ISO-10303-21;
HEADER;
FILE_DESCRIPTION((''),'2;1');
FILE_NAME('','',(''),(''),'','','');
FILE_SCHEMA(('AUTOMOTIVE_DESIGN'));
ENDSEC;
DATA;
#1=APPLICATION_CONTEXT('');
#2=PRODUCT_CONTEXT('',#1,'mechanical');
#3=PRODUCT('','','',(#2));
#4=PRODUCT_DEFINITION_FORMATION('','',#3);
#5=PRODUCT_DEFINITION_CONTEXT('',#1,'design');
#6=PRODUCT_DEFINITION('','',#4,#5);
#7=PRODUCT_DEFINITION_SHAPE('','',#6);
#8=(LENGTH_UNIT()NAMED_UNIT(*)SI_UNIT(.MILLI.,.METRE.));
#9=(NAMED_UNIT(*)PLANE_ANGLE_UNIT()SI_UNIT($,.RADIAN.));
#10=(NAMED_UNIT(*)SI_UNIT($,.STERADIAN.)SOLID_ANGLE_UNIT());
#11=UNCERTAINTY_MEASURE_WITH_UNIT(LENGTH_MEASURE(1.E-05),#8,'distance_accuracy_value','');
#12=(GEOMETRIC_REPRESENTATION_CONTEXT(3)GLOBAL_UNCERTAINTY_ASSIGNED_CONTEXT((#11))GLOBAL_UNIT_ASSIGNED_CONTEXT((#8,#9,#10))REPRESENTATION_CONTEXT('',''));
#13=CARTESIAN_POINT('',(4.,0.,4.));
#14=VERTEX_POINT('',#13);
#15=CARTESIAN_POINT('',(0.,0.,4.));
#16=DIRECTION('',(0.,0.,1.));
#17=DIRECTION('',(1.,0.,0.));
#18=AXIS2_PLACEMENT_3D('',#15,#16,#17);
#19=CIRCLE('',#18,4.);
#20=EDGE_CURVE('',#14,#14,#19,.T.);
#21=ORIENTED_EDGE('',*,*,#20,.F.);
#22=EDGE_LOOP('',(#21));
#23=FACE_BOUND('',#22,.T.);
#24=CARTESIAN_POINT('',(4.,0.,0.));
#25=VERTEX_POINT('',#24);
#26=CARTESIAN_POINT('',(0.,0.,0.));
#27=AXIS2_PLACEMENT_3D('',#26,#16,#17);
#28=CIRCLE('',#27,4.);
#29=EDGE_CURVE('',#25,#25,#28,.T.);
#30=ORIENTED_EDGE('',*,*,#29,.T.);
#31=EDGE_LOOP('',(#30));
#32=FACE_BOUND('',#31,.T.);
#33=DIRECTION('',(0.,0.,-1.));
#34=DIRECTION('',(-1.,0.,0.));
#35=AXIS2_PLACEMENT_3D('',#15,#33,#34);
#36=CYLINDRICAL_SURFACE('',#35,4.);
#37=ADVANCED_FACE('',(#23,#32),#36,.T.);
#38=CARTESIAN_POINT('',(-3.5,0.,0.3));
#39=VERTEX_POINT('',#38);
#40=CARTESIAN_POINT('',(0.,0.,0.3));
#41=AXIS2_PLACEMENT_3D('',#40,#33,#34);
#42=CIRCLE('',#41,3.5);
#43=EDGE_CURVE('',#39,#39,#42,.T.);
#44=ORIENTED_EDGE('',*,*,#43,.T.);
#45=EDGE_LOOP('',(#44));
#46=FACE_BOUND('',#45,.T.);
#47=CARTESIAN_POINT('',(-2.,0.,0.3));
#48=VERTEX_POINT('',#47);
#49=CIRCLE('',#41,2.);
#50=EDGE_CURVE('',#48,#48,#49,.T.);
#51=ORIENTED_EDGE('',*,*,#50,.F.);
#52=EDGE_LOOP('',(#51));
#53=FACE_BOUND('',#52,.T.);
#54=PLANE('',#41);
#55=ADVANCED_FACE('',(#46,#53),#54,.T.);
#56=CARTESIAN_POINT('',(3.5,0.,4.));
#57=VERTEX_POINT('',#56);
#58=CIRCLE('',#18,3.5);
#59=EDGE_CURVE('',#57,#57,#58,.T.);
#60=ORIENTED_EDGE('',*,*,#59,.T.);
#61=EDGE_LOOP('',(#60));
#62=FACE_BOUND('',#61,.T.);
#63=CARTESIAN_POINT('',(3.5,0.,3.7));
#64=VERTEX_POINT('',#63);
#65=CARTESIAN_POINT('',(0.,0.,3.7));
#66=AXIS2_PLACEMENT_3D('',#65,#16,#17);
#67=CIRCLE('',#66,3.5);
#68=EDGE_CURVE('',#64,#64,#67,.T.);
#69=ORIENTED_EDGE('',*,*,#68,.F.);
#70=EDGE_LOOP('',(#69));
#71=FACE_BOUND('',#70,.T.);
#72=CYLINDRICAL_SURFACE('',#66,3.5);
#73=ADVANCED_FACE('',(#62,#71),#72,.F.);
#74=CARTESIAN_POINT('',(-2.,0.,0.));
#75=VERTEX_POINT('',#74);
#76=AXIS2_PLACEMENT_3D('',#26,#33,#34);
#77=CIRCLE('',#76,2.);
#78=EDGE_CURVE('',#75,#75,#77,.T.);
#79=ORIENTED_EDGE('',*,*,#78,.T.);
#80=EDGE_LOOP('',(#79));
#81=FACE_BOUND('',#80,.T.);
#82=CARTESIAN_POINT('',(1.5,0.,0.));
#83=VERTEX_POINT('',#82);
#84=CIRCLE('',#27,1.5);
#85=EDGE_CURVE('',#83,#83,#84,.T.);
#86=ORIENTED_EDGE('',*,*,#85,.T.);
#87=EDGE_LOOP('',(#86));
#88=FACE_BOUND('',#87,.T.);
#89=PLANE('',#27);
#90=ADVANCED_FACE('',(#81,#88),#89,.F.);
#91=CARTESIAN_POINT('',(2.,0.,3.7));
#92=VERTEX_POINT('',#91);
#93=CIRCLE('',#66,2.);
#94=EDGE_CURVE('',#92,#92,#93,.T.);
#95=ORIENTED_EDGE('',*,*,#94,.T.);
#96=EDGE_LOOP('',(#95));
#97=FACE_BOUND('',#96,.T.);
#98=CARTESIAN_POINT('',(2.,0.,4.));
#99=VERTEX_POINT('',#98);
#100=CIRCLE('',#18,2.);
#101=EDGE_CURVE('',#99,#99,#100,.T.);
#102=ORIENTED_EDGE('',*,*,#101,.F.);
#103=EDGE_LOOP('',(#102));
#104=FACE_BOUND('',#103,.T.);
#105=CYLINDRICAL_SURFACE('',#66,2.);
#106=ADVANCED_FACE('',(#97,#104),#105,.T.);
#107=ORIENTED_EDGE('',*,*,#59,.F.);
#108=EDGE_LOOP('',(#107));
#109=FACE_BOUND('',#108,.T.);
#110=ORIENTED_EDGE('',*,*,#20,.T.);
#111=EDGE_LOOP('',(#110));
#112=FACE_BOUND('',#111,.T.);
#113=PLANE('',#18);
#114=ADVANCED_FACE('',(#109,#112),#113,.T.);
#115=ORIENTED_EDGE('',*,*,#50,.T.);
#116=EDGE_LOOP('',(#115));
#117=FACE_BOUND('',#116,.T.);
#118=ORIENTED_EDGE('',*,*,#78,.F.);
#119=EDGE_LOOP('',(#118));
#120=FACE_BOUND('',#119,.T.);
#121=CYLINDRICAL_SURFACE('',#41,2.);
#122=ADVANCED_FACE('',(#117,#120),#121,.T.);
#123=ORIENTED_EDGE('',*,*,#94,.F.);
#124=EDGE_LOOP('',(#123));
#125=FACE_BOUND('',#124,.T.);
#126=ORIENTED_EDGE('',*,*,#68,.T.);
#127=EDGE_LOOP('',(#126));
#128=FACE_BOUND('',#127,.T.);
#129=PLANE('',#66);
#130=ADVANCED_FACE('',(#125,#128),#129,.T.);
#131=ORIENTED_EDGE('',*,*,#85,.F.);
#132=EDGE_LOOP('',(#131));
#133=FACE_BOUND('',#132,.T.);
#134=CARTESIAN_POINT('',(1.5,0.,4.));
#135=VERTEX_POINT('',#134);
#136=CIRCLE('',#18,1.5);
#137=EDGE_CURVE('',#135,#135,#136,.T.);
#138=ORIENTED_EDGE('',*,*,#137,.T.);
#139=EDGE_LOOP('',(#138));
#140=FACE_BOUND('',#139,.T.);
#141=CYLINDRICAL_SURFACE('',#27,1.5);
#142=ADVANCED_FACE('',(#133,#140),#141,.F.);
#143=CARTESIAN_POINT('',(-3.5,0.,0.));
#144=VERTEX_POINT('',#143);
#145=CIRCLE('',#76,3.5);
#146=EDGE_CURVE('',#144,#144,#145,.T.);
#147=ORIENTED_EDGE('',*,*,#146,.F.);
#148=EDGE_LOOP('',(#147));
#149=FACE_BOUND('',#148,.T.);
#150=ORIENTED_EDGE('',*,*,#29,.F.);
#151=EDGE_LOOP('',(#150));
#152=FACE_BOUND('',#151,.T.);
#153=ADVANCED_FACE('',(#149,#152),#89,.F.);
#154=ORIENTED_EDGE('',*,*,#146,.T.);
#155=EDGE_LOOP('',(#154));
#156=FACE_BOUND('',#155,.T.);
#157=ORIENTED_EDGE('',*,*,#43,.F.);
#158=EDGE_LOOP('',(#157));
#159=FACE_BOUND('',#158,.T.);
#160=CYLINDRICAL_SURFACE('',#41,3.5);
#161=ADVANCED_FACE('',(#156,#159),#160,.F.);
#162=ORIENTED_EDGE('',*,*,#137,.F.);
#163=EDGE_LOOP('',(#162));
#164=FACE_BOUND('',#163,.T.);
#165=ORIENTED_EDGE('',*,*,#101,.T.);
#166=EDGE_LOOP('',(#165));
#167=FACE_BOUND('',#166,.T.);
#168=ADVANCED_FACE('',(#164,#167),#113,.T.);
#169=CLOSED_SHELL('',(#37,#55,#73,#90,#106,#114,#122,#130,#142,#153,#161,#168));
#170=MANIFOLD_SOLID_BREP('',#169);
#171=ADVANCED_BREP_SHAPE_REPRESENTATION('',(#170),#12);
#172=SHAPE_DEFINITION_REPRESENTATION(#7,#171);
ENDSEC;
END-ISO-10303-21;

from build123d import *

# Parameters (mm, degrees)
SKETCH_1_R          = 4
EXTRUDE_1_DEPTH     = 4
SKETCH_2_R          = 1.5
CUT_EXTRUDE_1_DEPTH = 5
SKETCH_3_R          = 3.5
SKETCH_3_R_2        = 2
CUT_EXTRUDE_2_DEPTH = 0.3
SKETCH_4_R          = 3.5
SKETCH_4_R_2        = 2
CUT_EXTRUDE_3_DEPTH = 0.3


with BuildPart() as part:
    # 草圖1 → 填料-伸長1 (new body)
    with BuildSketch(Plane.XY):
        Circle(SKETCH_1_R)
    extrude(amount=EXTRUDE_1_DEPTH)

    # 草圖2 → 除料-伸長1 (cut, through all)
    with BuildSketch(Plane.XY.offset(4)):
        Circle(SKETCH_2_R)
    extrude(amount=-CUT_EXTRUDE_1_DEPTH, mode=Mode.SUBTRACT)

    # 草圖3 → 除料-伸長2 (cut)
    with BuildSketch(Plane.XY.offset(4)):
        Circle(SKETCH_3_R)
        Circle(SKETCH_3_R_2, mode=Mode.SUBTRACT)
    extrude(amount=-CUT_EXTRUDE_2_DEPTH, mode=Mode.SUBTRACT)

    # 草圖4 → 除料-伸長3 (cut)
    with BuildSketch(Plane(origin=(0, 0, 0), x_dir=(-1, 0, 0), z_dir=(0, 0, -1))):
        Circle(SKETCH_4_R)
        Circle(SKETCH_4_R_2, mode=Mode.SUBTRACT)
    extrude(amount=-CUT_EXTRUDE_3_DEPTH, mode=Mode.SUBTRACT)


solid = part.part
